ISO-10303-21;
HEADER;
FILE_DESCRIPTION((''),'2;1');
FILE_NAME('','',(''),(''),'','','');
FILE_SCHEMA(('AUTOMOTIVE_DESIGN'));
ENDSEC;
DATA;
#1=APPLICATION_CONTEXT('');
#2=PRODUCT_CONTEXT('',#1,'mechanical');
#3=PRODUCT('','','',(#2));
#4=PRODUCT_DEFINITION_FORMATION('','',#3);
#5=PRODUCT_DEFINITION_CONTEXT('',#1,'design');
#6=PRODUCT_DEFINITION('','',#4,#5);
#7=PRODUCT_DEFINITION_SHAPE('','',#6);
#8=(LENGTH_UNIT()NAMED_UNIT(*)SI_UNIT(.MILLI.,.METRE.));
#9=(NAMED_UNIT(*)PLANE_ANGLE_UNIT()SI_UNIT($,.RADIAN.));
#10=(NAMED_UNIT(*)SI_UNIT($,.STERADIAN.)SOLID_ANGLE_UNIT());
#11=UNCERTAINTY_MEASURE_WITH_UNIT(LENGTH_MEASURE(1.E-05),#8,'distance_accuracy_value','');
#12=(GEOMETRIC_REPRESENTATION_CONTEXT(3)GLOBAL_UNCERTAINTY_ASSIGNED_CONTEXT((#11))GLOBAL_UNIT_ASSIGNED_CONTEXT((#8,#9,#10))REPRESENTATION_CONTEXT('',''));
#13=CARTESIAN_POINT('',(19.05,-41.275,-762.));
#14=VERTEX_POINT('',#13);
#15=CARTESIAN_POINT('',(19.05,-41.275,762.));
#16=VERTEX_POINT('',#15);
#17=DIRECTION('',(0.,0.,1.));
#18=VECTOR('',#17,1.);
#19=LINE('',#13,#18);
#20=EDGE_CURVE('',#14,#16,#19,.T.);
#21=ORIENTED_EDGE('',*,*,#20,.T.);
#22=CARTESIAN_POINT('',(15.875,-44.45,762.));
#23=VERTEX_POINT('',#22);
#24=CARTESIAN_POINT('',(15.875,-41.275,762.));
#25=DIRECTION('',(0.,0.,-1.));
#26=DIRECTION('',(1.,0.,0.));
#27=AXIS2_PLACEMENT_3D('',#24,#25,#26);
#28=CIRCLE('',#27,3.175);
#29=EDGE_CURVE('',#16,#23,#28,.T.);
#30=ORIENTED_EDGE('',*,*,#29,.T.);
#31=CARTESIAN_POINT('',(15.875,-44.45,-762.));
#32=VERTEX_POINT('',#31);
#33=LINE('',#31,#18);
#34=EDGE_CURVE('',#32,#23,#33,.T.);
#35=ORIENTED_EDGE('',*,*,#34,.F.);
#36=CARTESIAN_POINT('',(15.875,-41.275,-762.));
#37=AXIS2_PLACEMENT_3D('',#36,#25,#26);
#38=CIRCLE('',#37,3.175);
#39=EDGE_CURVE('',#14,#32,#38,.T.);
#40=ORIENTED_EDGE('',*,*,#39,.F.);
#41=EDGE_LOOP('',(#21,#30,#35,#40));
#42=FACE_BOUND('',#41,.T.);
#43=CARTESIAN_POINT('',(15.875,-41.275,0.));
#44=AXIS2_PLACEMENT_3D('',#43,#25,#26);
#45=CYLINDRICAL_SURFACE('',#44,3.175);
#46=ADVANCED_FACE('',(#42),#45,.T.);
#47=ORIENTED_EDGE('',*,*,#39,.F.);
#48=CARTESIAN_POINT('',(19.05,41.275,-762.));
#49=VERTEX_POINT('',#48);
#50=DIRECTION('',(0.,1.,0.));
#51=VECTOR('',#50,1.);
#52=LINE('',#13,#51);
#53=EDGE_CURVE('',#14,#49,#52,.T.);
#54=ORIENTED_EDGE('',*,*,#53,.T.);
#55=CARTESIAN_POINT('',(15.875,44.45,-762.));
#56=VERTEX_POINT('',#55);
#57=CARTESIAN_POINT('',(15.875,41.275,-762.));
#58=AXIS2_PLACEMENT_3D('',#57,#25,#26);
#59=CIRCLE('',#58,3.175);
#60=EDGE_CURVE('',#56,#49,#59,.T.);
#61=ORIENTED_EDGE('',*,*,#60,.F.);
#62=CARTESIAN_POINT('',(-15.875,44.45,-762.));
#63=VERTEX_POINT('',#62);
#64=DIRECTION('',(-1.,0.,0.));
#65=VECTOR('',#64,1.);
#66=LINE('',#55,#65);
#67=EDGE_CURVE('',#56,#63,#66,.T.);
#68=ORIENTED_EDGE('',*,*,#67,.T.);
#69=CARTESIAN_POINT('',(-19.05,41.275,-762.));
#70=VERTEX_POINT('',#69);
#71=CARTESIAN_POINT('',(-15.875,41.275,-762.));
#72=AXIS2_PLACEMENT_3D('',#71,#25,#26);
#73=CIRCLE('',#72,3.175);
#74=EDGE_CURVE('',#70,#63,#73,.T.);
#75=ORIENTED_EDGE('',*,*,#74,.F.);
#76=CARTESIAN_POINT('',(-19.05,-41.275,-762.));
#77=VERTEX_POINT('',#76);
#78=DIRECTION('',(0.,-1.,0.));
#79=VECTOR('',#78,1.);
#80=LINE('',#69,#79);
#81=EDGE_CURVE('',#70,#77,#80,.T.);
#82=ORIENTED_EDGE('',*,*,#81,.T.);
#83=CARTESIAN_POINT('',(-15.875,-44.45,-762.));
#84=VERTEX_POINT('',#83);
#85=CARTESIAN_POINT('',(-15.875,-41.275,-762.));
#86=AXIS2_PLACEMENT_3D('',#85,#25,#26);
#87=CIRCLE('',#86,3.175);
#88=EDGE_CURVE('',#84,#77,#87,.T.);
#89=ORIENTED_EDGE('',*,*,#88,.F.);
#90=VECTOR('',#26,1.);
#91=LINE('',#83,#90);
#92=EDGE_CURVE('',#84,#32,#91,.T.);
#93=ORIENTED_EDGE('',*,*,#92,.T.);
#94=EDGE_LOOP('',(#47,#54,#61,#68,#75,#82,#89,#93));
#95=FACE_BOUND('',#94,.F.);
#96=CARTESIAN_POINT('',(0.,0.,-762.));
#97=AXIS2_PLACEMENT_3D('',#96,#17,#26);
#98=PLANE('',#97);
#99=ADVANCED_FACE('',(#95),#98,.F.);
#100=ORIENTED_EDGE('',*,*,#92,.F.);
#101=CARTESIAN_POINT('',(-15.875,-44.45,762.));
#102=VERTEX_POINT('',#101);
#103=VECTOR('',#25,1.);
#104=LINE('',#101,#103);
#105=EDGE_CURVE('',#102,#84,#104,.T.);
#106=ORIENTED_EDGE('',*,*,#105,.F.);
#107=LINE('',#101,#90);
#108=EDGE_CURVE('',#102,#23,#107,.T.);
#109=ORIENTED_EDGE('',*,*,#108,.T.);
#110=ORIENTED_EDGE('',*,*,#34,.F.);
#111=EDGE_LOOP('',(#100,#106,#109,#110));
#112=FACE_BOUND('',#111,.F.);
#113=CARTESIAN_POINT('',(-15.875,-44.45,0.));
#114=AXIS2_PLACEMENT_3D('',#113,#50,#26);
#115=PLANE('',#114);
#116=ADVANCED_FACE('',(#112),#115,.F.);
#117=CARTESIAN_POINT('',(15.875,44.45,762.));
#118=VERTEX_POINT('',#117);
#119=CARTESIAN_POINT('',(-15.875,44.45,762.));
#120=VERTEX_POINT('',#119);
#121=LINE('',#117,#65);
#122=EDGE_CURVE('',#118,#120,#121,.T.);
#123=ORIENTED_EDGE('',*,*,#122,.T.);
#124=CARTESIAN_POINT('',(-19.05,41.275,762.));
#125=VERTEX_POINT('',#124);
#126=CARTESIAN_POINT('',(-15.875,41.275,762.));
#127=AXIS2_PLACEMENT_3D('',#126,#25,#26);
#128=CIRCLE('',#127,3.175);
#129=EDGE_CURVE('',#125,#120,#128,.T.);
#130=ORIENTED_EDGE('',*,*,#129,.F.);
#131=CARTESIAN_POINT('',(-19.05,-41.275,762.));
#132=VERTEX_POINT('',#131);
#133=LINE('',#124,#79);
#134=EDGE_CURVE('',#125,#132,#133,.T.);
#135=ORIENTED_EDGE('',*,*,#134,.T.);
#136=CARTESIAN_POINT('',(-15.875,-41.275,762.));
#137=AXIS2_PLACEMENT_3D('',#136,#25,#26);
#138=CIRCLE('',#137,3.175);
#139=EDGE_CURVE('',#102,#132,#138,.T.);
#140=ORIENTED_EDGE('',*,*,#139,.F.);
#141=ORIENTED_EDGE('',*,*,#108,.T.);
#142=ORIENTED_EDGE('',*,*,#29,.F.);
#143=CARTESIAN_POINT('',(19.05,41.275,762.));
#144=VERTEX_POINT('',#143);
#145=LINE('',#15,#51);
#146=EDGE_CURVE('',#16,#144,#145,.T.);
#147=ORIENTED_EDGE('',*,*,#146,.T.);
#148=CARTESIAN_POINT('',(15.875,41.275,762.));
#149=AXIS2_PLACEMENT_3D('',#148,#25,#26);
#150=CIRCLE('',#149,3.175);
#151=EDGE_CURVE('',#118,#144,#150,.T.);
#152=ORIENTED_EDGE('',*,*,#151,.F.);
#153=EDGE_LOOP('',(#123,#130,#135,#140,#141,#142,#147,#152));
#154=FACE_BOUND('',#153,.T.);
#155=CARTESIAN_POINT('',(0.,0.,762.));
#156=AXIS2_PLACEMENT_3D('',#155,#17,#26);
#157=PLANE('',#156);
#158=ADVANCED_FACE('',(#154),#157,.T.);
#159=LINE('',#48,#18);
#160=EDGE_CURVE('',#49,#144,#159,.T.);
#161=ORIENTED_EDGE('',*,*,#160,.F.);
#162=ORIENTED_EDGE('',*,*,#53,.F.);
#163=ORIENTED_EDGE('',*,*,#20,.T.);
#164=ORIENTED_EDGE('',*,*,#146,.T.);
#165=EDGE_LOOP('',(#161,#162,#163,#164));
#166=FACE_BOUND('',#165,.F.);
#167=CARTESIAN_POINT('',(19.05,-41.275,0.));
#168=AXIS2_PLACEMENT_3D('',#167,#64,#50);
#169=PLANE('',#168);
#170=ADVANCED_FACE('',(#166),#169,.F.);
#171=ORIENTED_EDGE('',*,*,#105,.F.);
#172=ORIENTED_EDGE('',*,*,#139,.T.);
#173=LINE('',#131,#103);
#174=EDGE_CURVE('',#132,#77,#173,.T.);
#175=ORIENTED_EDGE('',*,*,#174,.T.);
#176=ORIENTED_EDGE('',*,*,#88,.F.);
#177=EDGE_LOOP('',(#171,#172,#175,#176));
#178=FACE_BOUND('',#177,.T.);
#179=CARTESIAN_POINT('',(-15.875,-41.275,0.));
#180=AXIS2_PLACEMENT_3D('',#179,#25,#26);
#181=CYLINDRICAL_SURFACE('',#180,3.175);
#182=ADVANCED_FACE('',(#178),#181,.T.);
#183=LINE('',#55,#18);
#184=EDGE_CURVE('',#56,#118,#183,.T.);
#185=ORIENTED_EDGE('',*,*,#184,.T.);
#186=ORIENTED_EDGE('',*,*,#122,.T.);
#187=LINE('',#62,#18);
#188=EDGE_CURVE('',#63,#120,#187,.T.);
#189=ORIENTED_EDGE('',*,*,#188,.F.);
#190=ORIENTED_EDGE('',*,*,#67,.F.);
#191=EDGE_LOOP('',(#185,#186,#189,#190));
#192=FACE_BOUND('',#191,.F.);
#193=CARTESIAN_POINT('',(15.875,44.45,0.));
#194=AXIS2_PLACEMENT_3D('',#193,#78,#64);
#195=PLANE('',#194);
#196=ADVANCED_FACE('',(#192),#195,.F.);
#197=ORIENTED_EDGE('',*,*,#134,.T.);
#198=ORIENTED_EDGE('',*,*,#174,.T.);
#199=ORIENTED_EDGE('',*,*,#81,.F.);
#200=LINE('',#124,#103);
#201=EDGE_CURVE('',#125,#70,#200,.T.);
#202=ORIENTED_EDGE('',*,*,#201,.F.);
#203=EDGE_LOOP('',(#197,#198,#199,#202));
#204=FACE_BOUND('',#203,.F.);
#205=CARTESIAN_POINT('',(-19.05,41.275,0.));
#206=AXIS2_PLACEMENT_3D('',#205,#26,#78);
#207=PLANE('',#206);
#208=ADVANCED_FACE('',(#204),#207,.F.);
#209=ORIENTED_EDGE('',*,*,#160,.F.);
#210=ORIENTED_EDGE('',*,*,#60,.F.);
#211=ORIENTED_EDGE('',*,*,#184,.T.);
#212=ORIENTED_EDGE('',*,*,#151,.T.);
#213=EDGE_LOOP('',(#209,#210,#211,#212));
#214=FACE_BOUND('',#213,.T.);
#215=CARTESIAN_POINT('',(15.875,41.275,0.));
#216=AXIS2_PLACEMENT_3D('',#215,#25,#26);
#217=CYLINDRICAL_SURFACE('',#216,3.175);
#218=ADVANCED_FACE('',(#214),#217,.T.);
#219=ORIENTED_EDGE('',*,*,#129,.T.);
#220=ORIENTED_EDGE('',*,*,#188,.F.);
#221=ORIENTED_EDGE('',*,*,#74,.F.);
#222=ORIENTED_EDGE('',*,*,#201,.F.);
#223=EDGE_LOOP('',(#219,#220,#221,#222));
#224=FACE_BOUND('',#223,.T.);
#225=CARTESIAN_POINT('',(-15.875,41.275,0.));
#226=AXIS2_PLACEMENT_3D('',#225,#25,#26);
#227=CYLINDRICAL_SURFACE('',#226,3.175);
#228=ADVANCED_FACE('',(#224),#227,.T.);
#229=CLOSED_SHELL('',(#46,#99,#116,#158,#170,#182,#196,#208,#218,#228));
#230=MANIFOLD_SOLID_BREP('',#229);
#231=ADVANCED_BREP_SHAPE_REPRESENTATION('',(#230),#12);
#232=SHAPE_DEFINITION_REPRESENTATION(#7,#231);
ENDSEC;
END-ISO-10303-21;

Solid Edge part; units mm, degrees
sketch "Sketch1" plane through (0, 0, 0) normal (0, 0, 1) x (1, 0, 0)
  line L0 (-15.875, -44.45) -> (15.875, -44.45)
  arc A0 (19.05, -41.275) -> (15.875, -44.45) centre (15.875, -41.275) cw
  line L1 (19.05, -41.275) -> (19.05, 41.275)
  arc A1 (15.875, 44.45) -> (19.05, 41.275) centre (15.875, 41.275) cw
  line L2 (15.875, 44.45) -> (-15.875, 44.45)
  arc A2 (-19.05, 41.275) -> (-15.875, 44.45) centre (-15.875, 41.275) cw
  line L3 (-19.05, 41.275) -> (-19.05, -41.275)
  arc A3 (-15.875, -44.45) -> (-19.05, -41.275) centre (-15.875, -41.275) cw
  dimension "D1" = 88.9
  dimension "D2" = 38.1
  dimension "D3" = 3.175
extrude "Protrusion1" add sketch "Sketch1" along normal mid plane 1524
properties material "Wood, Mahogany"
